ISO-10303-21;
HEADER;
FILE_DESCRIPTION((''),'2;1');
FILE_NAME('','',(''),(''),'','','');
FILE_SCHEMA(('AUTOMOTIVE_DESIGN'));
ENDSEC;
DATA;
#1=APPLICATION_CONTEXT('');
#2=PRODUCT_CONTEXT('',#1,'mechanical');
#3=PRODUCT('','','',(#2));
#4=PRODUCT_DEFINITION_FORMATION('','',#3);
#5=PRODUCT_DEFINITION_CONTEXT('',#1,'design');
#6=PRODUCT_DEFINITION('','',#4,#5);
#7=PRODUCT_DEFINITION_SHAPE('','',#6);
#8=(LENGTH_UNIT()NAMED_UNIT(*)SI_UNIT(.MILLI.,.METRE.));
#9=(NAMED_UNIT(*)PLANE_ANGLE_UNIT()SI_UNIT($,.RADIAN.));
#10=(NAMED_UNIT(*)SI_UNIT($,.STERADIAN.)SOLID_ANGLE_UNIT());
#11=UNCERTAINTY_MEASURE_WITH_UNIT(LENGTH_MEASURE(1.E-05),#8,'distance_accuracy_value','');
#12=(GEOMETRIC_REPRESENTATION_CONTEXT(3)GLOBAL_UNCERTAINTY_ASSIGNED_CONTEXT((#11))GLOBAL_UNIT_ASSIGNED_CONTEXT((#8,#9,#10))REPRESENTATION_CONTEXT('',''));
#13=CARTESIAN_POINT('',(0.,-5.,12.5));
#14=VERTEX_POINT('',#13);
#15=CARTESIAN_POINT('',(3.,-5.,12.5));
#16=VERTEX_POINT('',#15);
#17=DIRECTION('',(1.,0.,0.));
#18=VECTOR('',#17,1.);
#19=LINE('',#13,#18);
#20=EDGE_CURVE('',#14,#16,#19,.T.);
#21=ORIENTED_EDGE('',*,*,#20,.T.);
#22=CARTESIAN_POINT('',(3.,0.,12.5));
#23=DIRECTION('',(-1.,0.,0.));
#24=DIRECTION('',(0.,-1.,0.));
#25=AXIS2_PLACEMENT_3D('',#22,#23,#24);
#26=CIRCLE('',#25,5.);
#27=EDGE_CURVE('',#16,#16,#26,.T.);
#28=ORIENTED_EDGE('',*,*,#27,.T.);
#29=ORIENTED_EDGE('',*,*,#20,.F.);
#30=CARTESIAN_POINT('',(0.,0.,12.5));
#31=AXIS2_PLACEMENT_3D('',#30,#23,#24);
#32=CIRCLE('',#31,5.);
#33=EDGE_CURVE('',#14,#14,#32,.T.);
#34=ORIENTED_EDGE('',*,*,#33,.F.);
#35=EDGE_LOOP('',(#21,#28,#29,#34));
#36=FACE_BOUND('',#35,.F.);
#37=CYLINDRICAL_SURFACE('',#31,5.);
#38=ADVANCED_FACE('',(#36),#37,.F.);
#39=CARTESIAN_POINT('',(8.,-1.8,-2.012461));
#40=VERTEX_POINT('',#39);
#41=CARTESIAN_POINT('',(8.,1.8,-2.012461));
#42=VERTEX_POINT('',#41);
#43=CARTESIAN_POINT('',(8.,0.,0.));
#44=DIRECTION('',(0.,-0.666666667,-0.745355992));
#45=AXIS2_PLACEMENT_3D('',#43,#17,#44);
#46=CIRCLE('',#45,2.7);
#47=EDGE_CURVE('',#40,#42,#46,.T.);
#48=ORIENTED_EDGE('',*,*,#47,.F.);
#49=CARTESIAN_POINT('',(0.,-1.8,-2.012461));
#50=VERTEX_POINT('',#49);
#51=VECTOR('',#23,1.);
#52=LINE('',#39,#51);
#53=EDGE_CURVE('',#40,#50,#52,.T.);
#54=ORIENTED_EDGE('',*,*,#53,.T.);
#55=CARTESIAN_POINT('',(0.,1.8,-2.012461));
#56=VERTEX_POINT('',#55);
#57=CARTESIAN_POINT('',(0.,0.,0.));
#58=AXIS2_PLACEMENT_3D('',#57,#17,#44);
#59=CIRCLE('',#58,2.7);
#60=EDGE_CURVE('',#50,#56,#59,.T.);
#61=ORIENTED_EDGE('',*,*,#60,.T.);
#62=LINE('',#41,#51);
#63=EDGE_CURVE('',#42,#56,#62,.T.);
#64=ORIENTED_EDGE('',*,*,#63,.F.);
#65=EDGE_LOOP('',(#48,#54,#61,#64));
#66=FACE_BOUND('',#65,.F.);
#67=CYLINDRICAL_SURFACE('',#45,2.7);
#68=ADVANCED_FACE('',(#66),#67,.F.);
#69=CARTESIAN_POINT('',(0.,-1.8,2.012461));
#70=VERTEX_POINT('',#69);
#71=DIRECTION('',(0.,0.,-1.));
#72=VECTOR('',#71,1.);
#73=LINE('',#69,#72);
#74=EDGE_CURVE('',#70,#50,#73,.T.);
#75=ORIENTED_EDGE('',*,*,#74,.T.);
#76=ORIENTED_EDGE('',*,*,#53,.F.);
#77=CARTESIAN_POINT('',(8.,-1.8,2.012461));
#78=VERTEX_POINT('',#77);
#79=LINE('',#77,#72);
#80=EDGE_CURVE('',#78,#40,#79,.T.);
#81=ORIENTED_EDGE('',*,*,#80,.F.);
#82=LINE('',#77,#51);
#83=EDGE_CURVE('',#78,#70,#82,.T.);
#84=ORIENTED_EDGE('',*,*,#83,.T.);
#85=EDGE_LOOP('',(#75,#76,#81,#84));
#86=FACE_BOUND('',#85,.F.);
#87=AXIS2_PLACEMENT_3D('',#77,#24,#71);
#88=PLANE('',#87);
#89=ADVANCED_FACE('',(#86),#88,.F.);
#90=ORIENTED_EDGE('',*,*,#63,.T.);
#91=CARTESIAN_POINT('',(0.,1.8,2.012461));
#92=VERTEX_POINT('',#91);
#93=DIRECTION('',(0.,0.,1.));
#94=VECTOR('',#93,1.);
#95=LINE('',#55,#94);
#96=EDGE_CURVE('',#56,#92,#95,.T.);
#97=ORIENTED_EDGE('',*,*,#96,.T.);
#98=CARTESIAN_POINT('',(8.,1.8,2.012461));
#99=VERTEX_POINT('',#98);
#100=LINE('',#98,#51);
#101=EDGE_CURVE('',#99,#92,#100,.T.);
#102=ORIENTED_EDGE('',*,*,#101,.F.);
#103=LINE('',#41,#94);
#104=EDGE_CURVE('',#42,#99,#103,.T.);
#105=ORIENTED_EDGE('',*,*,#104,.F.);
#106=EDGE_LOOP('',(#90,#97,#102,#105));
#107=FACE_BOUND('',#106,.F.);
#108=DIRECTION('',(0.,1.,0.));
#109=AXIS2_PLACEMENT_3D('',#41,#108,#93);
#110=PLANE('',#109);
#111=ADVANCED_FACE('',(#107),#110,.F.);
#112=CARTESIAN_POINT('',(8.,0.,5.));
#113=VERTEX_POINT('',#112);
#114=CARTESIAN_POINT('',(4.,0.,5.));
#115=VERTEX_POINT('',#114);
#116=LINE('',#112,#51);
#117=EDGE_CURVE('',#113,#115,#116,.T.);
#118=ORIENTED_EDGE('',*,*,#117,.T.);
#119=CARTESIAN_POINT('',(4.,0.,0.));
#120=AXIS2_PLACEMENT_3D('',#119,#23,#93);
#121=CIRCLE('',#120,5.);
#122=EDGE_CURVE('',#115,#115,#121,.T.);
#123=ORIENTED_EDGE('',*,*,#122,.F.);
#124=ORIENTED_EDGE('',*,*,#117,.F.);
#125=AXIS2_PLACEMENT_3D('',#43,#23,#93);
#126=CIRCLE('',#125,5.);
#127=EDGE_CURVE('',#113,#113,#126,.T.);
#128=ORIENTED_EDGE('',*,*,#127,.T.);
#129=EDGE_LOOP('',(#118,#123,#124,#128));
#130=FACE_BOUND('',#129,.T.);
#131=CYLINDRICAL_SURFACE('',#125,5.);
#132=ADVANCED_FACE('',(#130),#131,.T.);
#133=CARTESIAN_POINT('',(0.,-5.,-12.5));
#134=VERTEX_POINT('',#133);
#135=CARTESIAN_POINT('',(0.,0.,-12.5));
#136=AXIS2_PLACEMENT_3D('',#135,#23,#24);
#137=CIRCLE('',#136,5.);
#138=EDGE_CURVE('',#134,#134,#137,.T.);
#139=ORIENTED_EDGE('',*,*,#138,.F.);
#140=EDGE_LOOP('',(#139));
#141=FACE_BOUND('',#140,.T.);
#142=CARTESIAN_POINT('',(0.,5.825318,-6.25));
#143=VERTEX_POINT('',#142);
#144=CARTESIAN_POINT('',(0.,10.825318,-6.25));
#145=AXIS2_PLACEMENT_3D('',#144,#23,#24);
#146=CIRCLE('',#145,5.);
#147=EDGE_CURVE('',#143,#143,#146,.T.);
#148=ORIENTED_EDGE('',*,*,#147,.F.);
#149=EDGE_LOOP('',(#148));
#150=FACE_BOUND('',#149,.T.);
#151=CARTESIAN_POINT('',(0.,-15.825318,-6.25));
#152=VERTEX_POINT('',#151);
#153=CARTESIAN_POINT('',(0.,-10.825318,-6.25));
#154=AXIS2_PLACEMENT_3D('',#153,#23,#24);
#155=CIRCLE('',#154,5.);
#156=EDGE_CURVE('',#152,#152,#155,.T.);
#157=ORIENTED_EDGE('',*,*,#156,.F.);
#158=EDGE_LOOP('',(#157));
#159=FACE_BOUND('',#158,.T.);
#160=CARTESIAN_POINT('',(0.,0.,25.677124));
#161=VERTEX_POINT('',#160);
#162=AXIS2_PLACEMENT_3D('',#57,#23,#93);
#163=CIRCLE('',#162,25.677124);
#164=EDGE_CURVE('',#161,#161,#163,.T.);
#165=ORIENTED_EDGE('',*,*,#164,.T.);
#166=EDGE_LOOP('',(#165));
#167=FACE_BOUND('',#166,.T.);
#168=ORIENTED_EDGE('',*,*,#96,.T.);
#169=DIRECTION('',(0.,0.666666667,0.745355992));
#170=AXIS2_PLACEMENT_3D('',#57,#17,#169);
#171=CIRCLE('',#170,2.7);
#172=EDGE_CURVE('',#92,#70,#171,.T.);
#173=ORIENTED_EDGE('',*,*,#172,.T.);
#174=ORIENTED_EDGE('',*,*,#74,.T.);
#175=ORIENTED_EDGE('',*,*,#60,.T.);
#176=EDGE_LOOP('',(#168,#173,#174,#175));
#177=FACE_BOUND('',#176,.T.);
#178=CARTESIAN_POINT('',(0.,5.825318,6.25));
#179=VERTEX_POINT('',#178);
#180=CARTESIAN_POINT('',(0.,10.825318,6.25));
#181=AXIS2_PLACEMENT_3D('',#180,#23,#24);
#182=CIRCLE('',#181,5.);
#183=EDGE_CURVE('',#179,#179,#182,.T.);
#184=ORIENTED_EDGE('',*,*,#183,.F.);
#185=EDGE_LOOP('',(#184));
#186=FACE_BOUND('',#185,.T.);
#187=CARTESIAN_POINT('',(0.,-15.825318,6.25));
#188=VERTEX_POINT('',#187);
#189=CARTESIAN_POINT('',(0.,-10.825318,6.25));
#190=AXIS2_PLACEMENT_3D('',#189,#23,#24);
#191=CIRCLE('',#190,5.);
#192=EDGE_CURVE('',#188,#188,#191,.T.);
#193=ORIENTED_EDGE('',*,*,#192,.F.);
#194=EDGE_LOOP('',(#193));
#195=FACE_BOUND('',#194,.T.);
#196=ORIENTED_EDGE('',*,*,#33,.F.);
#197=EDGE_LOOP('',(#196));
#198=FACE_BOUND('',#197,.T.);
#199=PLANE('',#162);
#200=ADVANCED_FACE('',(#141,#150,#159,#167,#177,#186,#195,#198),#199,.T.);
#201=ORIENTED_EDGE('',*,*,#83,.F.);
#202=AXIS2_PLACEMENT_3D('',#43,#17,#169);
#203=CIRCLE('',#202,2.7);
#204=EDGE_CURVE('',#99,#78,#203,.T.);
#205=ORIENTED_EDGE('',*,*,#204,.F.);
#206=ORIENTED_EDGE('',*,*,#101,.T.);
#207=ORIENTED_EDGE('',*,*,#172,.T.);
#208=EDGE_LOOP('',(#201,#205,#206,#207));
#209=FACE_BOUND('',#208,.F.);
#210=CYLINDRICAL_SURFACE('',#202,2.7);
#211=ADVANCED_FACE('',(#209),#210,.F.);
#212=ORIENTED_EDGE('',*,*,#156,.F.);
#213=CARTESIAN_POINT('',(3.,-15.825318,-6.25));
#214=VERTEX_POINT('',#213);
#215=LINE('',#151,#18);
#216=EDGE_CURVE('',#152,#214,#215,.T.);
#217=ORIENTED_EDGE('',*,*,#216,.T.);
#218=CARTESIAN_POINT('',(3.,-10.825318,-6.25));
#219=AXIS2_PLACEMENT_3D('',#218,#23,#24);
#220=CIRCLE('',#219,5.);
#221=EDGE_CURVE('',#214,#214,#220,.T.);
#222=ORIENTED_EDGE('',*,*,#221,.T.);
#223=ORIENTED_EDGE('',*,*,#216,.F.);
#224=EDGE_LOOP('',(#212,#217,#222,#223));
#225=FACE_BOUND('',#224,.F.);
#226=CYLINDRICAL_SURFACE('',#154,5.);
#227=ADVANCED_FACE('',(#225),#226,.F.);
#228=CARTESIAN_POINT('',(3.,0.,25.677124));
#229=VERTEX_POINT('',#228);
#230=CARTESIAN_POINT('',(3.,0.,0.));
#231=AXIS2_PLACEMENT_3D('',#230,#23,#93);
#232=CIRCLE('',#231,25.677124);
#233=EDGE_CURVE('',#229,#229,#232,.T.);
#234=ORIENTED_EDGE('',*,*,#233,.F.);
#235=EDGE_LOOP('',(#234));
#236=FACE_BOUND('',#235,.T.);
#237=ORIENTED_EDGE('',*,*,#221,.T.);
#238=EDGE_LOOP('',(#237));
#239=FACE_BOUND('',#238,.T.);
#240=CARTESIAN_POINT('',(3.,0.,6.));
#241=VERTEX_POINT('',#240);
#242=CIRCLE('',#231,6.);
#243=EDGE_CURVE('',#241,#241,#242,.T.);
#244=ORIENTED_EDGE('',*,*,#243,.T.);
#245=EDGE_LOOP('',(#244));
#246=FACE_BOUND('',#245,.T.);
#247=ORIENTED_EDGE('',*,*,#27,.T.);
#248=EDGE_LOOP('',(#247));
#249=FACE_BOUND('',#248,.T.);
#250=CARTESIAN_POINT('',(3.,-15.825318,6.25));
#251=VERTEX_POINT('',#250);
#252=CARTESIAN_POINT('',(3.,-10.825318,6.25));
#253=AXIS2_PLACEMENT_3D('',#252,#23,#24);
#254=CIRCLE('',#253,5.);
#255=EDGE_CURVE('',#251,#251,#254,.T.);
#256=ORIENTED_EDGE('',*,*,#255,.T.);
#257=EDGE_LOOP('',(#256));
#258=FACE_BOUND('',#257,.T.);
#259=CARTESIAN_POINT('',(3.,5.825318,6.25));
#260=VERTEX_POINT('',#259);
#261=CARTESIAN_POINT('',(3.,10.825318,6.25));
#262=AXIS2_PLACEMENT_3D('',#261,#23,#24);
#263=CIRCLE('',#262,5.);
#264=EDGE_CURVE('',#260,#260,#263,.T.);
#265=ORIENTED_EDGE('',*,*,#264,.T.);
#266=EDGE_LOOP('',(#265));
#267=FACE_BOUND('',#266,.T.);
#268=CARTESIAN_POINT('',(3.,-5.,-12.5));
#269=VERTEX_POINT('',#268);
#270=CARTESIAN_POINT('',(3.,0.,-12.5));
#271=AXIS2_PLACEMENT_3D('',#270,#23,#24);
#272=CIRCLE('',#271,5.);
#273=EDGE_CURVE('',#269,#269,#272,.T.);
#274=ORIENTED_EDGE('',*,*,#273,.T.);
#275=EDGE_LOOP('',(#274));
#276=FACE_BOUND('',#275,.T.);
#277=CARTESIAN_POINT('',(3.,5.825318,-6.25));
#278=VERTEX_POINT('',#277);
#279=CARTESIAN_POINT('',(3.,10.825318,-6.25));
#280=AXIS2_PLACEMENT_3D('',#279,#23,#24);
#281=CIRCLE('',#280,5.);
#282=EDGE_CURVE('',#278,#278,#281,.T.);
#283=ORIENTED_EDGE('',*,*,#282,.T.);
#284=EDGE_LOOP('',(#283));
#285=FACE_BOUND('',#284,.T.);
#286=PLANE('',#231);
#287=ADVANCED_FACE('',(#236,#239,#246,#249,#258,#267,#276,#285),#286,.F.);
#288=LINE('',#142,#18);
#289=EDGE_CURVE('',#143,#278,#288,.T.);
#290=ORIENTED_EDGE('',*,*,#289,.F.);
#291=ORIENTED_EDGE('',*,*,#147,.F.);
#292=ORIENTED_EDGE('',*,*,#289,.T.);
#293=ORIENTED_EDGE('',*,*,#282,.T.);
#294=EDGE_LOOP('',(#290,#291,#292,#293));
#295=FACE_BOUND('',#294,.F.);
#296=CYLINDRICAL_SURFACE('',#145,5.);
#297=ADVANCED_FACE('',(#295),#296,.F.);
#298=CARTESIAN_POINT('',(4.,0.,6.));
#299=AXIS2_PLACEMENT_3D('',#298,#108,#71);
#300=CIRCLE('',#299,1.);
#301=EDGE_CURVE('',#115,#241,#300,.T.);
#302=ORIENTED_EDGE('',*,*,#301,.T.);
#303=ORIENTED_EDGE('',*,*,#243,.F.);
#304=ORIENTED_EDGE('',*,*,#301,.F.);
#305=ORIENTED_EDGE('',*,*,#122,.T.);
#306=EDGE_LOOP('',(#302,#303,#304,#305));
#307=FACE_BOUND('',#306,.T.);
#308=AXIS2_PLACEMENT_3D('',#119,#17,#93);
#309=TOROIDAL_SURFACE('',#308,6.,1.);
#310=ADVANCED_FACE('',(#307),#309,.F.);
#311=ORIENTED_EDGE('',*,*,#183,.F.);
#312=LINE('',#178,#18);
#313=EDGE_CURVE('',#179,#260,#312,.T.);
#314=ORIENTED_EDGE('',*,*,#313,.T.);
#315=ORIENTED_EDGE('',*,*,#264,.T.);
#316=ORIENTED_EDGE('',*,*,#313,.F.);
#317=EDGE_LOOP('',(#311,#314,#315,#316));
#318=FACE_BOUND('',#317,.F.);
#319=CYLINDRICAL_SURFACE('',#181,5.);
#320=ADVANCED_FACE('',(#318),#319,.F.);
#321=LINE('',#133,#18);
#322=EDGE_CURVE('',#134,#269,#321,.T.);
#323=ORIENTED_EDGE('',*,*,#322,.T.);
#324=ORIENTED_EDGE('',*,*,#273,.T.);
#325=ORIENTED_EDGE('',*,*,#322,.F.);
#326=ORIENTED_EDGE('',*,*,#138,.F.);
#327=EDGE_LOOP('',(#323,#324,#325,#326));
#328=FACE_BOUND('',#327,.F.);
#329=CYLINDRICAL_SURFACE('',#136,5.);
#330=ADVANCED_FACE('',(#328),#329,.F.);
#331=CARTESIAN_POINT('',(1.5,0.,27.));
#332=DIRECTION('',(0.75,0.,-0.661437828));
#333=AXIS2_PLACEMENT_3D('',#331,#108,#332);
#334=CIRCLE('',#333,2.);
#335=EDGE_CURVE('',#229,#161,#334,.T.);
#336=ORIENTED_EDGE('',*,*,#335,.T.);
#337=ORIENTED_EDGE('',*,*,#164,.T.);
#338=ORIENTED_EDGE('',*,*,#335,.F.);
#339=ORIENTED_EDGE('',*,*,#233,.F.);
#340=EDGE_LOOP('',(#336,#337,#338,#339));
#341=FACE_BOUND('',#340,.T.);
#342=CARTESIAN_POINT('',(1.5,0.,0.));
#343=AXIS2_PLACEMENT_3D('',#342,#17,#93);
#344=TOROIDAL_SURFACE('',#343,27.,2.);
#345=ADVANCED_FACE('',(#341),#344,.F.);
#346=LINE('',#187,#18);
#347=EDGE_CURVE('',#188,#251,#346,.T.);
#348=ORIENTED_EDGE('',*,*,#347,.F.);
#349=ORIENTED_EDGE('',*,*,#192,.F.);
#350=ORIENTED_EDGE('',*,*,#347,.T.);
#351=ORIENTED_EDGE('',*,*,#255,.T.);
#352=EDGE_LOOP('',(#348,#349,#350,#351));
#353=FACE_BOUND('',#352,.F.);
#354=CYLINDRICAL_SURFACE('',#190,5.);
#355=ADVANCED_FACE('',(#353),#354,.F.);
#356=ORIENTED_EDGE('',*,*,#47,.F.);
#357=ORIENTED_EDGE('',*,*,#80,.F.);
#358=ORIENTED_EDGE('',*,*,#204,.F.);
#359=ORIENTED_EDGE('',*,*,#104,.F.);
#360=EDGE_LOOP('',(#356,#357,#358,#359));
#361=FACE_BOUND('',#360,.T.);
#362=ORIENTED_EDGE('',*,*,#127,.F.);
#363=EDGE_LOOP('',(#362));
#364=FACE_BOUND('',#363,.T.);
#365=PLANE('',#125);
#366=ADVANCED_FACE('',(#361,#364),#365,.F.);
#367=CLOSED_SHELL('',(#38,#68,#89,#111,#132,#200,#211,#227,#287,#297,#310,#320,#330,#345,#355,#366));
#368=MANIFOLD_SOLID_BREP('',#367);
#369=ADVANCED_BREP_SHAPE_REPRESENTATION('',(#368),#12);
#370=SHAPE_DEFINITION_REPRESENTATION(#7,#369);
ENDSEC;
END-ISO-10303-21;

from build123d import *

# Parameters (mm, degrees)
F1_FACE1_R = 25.6771243445
F3_DEPTH   = 8
F4_R       = 5
F5_DEPTH   = 3


with BuildPart() as f1:
    # F0 (on Front) → F1 (revolve)
    with BuildSketch(Plane.XZ):
        with BuildLine():
            Line((0, 25.6771243445), (0, 0))
            Line((0, 0), (3, 0))
            Line((3, 0), (8, 0))
            Line((8, 0), (8, 5))
            Line((8, 5), (4, 5))
            ThreePointArc((4, 5), (3.2928932188, 5.2928932188), (3, 6))
            Line((3, 6), (3, 25.6771243445))
            ThreePointArc((3, 25.6771243445), (1.5, 25), (0, 25.6771243445))
        make_face()
    revolve(axis=Axis((1.5, 0, 0), (-1, 0, 0)))

    # F2 (on face) + F1_face1 (on face) → F3 (cut)
    with BuildSketch(Plane.YZ.offset(8)):
        with BuildLine():
            Line((-1.8, 2.0124611797), (-1.8, -2.0124611797))
            ThreePointArc((-1.8, -2.0124611797), (0, -2.7), (1.8, -2.0124611797))
            Line((1.8, -2.0124611797), (1.8, 2.0124611797))
            ThreePointArc((1.8, 2.0124611797), (0, 2.7), (-1.8, 2.0124611797))
        make_face()
    with BuildSketch(Plane(origin=(0, 0, 0), x_dir=(0, -1, 0), z_dir=(-1, 0, 0))):
        Circle(F1_FACE1_R)
    extrude(amount=-F3_DEPTH, dir=(1, 0, 0), mode=Mode.SUBTRACT)

    # F4 (on face) → F5 (cut, through all)
    with BuildSketch(Plane(origin=(0, 0, 0), x_dir=(0, -1, 0), z_dir=(-1, 0, 0))):
        with Locations((0, 12.5)):
            Circle(F4_R)
        with Locations((10.8253175473, 6.25)):
            Circle(F4_R)
        with Locations((10.8253175473, -6.25)):
            Circle(F4_R)
        with Locations((0, -12.5)):
            Circle(F4_R)
        with Locations((-10.8253175473, -6.25)):
            Circle(F4_R)
        with Locations((-10.8253175473, 6.25)):
            Circle(F4_R)
    extrude(amount=-F5_DEPTH, mode=Mode.SUBTRACT)


solid = f1.part
